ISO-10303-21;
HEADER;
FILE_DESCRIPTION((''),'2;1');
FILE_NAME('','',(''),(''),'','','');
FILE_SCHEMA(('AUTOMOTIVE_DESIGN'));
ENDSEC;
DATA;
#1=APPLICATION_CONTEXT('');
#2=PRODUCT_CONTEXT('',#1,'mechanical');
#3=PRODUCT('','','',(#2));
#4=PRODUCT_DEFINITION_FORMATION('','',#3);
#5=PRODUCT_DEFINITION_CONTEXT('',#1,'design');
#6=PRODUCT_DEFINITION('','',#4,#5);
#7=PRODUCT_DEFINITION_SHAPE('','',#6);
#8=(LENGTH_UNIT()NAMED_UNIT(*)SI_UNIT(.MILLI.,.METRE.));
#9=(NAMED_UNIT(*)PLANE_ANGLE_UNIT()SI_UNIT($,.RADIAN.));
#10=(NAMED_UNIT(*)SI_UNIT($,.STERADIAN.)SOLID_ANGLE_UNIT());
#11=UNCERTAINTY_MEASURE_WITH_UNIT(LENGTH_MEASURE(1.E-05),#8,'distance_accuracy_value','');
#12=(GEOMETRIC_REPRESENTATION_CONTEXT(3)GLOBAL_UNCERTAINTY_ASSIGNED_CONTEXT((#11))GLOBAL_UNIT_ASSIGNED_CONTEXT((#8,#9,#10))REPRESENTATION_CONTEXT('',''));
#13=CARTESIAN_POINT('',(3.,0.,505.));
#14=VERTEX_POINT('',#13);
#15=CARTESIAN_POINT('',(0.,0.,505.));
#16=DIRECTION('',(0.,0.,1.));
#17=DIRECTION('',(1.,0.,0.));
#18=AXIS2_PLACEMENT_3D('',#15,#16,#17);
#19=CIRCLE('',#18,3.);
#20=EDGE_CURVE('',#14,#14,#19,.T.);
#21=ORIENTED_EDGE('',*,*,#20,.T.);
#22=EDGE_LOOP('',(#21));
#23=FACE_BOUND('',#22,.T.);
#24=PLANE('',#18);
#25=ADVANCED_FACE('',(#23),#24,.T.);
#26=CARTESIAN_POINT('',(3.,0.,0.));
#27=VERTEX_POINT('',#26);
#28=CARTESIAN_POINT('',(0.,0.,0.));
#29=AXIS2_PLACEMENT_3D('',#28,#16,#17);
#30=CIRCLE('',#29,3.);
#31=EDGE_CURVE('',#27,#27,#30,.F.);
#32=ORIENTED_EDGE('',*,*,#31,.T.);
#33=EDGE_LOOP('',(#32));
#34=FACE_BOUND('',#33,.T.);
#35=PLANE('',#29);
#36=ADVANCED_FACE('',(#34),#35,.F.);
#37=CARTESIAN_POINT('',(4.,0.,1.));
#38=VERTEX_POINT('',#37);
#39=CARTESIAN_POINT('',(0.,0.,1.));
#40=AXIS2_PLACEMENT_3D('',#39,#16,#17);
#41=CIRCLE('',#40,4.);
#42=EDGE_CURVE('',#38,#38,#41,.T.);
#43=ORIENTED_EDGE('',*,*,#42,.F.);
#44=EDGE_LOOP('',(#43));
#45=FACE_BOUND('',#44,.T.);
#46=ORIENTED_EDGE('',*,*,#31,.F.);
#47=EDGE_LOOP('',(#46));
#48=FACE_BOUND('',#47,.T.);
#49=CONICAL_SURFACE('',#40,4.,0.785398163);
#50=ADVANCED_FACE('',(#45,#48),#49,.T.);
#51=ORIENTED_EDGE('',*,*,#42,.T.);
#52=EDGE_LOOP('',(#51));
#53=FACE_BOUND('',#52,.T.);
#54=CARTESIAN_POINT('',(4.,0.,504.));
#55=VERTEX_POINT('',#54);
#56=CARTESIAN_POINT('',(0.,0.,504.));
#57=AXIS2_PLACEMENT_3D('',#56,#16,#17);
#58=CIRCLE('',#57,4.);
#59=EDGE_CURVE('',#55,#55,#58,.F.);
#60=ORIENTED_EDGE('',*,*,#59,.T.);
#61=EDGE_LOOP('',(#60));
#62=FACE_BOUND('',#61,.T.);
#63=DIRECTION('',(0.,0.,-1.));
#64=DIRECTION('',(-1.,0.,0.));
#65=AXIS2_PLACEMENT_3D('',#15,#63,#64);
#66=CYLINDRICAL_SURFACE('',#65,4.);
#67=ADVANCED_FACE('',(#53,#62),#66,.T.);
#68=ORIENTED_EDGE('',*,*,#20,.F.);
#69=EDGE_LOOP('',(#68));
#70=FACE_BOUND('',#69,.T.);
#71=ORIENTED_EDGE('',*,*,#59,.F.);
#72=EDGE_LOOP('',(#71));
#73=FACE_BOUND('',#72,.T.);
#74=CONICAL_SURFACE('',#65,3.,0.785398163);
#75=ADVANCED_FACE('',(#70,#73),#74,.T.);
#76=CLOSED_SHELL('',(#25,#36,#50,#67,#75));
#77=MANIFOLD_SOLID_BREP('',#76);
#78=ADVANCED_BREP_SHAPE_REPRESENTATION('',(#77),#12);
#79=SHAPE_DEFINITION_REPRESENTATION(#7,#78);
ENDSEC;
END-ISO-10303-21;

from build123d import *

# Parameters (mm, degrees)
SKETCH_1_R      = 4
EXTRUDE_1_DEPTH = 505
CHAMFER_1_SIZE  = 1


with BuildPart() as part:
    # 草图1 → 凸台-拉伸1 (new body)
    with BuildSketch(Plane.XY):
        Circle(SKETCH_1_R)
    extrude(amount=EXTRUDE_1_DEPTH)

    # 倒角1
    chamfer_1_edges = [part.edges().sort_by_distance(p)[0] for p in [
        (-4, 0, 0),
        (-4, 0, 505),
    ]]
    chamfer(chamfer_1_edges, length=CHAMFER_1_SIZE)


solid = part.part
